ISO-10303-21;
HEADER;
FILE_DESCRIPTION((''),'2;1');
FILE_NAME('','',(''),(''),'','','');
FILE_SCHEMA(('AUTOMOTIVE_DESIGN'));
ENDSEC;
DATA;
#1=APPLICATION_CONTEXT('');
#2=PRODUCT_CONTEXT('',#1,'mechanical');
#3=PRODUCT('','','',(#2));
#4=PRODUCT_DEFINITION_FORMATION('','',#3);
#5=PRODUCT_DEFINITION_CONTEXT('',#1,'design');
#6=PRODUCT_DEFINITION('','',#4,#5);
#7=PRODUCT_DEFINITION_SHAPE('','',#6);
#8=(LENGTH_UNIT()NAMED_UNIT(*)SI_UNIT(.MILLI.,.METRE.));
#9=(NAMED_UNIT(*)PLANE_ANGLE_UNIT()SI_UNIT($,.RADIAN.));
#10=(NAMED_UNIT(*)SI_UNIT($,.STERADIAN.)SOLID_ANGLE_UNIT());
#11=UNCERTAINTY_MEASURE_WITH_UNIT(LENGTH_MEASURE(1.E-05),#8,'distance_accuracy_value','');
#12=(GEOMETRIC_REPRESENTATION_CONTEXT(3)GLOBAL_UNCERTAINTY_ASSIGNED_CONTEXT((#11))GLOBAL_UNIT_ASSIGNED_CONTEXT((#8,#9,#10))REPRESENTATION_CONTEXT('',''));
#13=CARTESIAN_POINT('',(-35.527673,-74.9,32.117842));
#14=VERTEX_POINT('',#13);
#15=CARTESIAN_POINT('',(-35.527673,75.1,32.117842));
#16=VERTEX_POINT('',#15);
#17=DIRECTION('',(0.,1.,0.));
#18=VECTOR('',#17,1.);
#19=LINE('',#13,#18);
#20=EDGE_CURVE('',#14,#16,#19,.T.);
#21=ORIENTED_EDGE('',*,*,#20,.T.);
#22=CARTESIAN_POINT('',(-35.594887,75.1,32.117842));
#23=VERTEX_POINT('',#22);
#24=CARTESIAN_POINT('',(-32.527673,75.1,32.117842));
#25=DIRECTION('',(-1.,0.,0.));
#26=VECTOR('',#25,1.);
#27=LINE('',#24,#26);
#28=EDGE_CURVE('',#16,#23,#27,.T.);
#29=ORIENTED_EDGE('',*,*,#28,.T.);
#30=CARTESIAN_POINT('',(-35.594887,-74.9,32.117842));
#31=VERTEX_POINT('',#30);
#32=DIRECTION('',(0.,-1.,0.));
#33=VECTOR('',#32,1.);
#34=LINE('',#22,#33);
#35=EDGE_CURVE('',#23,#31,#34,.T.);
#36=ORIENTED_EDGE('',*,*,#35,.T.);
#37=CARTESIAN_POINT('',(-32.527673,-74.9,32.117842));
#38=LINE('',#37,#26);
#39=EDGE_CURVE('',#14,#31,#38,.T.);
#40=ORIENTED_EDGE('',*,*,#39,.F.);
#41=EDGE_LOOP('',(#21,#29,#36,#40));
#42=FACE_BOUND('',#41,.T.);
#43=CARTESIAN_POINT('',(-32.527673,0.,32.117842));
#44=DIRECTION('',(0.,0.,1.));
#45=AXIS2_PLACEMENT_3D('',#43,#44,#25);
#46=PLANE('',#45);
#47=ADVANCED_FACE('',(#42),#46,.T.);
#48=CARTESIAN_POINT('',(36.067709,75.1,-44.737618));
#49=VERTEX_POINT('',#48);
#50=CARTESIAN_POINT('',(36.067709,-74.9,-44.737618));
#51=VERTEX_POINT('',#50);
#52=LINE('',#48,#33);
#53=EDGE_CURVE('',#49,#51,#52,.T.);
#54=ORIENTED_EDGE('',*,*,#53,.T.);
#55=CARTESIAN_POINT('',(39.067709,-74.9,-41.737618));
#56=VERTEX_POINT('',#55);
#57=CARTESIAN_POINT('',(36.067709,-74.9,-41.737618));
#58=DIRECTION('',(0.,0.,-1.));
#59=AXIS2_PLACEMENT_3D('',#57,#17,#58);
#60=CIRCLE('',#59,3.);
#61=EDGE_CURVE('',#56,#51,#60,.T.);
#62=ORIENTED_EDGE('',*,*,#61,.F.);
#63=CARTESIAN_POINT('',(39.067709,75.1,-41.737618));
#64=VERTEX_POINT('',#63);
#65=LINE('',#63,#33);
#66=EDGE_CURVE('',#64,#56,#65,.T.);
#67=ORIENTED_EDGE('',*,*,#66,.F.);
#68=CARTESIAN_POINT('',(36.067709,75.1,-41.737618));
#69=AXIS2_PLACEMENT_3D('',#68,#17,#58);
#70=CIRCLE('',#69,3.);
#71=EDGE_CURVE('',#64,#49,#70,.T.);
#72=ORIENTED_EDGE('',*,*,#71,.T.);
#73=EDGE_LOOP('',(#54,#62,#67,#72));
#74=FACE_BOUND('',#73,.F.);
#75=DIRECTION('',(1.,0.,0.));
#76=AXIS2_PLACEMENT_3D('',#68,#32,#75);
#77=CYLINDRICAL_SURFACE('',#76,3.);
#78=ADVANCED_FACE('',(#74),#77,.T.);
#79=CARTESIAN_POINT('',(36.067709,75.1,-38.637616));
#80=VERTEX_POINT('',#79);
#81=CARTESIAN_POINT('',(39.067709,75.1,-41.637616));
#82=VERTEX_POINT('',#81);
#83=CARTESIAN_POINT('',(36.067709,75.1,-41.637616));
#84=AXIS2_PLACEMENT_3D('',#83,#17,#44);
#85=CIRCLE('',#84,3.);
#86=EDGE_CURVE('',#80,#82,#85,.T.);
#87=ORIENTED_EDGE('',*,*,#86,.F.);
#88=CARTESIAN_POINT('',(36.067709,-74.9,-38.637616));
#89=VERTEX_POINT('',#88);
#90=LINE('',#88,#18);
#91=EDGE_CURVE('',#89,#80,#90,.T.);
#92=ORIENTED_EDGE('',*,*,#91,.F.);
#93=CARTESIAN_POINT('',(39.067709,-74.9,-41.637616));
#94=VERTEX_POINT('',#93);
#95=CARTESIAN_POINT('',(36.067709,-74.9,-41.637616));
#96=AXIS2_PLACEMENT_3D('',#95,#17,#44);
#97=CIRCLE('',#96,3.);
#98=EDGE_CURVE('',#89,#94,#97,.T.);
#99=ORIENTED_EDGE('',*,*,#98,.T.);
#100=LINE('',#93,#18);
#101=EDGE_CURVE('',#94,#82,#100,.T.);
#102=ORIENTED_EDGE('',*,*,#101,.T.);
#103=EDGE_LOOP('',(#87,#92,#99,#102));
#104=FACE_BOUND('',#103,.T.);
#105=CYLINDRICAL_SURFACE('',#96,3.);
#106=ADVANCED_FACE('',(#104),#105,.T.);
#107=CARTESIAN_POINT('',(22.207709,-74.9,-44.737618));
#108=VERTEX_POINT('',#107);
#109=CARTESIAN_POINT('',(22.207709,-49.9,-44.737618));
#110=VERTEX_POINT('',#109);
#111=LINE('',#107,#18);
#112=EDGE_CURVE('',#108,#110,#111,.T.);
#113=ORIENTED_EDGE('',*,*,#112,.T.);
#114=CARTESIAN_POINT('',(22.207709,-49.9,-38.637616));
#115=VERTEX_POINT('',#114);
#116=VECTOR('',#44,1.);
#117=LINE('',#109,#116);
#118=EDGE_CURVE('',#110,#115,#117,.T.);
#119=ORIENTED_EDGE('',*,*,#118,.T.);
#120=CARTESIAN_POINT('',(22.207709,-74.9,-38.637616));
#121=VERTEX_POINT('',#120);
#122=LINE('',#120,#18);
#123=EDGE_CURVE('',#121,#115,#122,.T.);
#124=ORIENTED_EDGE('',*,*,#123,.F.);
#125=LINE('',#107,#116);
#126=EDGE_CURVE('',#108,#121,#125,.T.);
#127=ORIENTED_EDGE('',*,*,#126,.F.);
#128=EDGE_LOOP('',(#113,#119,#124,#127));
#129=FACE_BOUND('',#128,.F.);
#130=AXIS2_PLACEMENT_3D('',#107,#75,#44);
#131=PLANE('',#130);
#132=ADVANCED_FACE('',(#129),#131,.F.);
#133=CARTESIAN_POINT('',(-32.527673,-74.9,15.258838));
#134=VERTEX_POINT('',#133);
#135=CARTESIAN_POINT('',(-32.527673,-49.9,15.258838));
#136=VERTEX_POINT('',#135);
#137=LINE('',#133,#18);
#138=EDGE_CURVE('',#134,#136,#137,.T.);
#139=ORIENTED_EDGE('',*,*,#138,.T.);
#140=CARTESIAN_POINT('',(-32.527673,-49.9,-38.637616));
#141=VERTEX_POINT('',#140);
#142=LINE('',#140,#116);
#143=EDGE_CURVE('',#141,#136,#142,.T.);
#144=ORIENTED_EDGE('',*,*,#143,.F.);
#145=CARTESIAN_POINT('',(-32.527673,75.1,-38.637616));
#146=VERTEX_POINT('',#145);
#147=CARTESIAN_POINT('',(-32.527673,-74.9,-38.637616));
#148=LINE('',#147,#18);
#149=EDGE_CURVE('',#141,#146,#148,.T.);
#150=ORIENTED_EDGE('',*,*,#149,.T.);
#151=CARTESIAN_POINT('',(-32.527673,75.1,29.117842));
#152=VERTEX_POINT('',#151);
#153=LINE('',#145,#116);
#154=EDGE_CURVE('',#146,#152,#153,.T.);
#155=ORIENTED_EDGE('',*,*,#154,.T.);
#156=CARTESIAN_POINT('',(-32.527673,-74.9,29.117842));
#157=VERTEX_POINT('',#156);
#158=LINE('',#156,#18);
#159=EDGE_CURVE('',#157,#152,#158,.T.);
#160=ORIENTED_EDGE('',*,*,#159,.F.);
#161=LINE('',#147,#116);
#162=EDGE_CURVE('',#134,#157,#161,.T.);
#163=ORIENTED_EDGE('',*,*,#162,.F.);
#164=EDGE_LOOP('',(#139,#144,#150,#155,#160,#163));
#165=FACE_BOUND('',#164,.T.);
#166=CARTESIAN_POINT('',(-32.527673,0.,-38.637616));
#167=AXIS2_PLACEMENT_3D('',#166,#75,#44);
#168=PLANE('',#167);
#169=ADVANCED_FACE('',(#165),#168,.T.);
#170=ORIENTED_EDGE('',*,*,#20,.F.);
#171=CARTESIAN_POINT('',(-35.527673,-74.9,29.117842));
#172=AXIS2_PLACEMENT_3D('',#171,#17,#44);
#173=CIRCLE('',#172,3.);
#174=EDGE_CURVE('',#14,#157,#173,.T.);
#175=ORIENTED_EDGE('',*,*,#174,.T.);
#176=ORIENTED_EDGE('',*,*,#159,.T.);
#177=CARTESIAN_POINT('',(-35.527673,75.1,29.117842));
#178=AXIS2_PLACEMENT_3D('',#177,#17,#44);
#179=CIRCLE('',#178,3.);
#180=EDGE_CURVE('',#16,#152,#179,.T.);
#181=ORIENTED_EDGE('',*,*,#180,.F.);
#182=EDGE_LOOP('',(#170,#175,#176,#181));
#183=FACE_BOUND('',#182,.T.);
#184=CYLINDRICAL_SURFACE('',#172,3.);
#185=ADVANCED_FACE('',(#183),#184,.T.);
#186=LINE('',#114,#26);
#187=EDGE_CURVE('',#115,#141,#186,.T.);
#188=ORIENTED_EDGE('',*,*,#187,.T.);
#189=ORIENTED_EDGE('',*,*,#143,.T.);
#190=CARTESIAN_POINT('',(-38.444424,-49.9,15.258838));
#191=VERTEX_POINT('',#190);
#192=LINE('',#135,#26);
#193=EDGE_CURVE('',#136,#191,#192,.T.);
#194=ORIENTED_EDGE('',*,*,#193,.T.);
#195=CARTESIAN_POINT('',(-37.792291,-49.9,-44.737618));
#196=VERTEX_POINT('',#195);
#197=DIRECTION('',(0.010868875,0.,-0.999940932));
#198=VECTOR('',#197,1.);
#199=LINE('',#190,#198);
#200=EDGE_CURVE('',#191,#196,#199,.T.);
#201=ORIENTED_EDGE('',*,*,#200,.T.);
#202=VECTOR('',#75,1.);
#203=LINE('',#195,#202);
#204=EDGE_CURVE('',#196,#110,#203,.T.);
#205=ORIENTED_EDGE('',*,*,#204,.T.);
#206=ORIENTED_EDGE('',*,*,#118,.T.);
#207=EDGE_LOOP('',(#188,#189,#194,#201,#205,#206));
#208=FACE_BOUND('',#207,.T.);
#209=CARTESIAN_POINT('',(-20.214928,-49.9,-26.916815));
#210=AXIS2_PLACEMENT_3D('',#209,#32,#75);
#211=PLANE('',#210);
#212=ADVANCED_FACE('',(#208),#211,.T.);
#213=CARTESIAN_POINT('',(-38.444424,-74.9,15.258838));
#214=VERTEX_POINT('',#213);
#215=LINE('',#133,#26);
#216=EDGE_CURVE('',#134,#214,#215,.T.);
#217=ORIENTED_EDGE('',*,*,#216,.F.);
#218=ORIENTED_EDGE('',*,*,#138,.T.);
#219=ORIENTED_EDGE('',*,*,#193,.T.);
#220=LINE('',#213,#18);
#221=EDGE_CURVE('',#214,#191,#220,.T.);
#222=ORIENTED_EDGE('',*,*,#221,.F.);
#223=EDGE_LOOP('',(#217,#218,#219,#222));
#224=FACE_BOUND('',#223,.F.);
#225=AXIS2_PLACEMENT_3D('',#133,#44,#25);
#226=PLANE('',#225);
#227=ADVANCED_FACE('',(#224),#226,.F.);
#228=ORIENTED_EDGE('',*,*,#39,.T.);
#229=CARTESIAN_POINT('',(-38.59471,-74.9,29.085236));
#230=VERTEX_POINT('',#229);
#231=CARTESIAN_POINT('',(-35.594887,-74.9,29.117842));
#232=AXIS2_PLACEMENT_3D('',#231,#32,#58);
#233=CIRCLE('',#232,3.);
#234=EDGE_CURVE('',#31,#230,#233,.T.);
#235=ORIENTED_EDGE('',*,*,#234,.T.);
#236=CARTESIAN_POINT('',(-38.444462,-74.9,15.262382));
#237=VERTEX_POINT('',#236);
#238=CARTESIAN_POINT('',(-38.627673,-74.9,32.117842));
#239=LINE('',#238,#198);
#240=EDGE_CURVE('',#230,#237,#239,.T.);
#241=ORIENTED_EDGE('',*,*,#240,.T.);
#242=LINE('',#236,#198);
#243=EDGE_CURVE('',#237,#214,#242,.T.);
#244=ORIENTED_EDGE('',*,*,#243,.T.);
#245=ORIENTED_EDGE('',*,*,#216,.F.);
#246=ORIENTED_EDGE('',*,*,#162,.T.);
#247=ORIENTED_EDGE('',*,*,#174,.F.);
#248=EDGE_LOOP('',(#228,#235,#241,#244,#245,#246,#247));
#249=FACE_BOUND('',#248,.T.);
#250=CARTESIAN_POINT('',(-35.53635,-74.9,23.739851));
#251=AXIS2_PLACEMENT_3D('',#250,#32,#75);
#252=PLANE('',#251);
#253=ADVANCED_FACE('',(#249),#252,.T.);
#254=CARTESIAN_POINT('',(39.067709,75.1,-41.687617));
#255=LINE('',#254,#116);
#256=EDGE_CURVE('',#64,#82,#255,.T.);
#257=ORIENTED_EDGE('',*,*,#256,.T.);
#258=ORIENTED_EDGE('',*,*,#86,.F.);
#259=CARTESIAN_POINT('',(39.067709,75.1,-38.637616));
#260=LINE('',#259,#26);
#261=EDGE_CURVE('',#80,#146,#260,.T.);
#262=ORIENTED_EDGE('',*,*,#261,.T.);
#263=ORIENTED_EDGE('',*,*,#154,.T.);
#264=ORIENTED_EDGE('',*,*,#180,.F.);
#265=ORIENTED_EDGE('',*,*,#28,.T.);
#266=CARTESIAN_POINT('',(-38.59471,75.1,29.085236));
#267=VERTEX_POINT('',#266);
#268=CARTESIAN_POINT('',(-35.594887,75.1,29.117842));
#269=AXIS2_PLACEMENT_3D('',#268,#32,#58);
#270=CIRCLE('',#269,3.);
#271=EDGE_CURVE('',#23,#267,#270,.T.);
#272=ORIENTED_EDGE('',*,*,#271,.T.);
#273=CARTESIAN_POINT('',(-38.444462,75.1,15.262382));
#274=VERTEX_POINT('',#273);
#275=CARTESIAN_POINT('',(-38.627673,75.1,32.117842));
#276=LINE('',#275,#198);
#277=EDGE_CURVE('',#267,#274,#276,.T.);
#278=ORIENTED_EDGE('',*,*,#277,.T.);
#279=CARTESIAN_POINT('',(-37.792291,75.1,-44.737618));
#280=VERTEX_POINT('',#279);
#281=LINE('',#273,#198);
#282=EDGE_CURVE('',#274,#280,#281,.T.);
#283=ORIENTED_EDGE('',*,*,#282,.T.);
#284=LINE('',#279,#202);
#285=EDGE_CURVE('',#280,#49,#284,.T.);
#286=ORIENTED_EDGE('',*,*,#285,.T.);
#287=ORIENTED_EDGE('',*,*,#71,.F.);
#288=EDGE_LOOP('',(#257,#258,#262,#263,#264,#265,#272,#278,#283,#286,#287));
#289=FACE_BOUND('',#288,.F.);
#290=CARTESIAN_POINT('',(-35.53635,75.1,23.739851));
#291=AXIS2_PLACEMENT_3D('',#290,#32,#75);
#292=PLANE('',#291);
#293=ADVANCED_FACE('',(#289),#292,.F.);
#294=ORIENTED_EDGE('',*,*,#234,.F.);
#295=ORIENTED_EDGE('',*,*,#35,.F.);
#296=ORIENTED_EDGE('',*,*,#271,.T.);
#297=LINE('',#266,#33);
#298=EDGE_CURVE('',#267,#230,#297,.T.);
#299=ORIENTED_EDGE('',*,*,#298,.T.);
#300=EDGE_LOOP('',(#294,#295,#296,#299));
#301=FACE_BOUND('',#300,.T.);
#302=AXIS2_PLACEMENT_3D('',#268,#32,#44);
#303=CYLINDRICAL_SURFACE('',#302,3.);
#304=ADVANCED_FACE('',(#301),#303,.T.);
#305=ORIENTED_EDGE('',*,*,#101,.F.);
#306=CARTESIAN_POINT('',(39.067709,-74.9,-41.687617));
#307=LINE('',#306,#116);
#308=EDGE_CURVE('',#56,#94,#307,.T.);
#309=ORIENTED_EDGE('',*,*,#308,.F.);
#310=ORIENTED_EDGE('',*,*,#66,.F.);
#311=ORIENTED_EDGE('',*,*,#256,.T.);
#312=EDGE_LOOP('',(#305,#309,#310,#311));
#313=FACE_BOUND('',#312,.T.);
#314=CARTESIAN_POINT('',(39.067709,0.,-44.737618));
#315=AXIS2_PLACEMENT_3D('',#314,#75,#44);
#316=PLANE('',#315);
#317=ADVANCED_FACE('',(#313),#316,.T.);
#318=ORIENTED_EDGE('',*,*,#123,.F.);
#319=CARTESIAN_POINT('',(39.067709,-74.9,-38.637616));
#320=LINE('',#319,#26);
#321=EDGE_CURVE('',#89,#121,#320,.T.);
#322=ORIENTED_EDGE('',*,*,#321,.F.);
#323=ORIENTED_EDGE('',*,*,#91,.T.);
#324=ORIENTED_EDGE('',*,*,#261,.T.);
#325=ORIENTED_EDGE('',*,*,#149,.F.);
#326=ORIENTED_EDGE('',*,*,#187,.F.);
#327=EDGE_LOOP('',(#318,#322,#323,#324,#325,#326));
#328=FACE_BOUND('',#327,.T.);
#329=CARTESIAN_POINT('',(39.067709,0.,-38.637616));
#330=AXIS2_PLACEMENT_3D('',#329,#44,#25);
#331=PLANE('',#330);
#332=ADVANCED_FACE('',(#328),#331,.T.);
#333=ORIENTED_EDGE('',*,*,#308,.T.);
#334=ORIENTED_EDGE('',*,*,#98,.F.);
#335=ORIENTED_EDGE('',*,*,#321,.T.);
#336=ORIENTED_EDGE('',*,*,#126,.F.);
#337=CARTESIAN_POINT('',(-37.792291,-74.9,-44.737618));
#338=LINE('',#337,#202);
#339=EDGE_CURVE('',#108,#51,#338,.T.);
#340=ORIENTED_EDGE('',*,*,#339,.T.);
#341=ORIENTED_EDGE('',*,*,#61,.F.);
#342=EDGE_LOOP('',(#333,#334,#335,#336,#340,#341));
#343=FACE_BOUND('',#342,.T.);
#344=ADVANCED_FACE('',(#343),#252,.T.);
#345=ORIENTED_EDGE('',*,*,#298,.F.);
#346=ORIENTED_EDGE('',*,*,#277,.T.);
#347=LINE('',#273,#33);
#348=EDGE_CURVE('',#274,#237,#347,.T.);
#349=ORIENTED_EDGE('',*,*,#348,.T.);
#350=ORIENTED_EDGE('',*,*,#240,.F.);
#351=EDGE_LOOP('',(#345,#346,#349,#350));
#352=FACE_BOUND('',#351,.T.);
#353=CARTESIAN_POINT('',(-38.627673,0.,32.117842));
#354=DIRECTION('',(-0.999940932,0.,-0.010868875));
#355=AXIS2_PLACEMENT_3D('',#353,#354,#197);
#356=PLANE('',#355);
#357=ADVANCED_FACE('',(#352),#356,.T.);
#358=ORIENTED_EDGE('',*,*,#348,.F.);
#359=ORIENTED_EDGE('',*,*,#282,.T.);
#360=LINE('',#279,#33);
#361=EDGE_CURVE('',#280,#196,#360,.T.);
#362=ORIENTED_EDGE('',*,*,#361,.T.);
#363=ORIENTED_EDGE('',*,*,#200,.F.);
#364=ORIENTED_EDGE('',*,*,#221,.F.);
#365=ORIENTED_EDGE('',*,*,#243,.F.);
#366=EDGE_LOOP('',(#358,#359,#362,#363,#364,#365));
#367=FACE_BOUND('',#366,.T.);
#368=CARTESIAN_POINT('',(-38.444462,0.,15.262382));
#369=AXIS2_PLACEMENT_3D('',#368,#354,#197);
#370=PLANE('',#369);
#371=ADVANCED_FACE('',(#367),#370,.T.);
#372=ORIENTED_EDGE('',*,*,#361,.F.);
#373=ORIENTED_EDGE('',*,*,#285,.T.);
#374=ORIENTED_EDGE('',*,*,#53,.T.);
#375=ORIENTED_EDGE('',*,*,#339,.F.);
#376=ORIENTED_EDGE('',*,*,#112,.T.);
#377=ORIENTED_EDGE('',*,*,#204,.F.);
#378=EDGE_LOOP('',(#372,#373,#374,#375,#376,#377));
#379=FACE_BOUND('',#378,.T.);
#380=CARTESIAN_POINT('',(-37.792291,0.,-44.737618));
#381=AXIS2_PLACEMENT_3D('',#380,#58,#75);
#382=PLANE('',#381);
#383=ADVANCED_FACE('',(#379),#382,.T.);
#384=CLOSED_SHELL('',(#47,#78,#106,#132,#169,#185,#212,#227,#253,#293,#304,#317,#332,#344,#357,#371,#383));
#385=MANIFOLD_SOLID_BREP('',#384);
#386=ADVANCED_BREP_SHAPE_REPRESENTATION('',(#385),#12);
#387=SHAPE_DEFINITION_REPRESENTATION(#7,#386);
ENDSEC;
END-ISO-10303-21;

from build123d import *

# Parameters (mm, degrees)
F0_W     = 16.86
F0_H     = 6.1000012737
F1_DEPTH = 74.9
F2_DEPTH = 75.1
F3_R     = 3
F5_DEPTH = 25


with BuildPart() as f1:
    # F0 (on Front) → F1 (new body)
    with BuildSketch(Plane.XZ):
        Polygon((-32.5276732162, 32.1178423136), (-38.6276732162, 32.1178423136), (-38.444462499, 15.2623822779), (-32.5276732162, 15.3266949223), align=None)
        Polygon((-32.5276732162, 15.3266949223), (-38.444462499, 15.2623822779), (-37.7922914511, -44.7376177221), (22.2077085489, -44.7376177221), (22.2077085489, -38.6376164485), (-32.5276732162, -38.6376164485), align=None)
        with Locations((30.6377085489, -41.6876170853)):
            Rectangle(F0_W, F0_H)
    extrude(amount=F1_DEPTH)

    # F2 (add): a face of the model
    f2_faces = [f1.faces().sort_by_distance(p)[0] for p in [
        (-35.5776732162, 0, 31.0249866925),
    ]]
    extrude(f2_faces, amount=F2_DEPTH)

    # F3
    f3_edges = [f1.edges().sort_by_distance(p)[0] for p in [
        (-32.527673, 0.1, 32.117842),
        (-38.627673, 0.1, 32.117842),
        (39.067709, 0.1, -44.737618),
        (39.067709, 0.1, -38.637616),
    ]]
    fillet(f3_edges, radius=F3_R)

    # F4 (on face) → F5 (cut)
    with BuildSketch(Plane.XZ.offset(74.9)):
        Polygon((-32.5276732162, 15.2588381996), (-38.4444239765, 15.2588381996), (-37.7922914511, -44.7376177221), (22.2077085489, -44.7376177221), (22.2077085489, -38.6376164485), (-32.5276732162, -38.6376164485), (-32.5276732162, -35.7810780406), align=None)
    extrude(amount=-F5_DEPTH, mode=Mode.SUBTRACT)


solid = f1.part
